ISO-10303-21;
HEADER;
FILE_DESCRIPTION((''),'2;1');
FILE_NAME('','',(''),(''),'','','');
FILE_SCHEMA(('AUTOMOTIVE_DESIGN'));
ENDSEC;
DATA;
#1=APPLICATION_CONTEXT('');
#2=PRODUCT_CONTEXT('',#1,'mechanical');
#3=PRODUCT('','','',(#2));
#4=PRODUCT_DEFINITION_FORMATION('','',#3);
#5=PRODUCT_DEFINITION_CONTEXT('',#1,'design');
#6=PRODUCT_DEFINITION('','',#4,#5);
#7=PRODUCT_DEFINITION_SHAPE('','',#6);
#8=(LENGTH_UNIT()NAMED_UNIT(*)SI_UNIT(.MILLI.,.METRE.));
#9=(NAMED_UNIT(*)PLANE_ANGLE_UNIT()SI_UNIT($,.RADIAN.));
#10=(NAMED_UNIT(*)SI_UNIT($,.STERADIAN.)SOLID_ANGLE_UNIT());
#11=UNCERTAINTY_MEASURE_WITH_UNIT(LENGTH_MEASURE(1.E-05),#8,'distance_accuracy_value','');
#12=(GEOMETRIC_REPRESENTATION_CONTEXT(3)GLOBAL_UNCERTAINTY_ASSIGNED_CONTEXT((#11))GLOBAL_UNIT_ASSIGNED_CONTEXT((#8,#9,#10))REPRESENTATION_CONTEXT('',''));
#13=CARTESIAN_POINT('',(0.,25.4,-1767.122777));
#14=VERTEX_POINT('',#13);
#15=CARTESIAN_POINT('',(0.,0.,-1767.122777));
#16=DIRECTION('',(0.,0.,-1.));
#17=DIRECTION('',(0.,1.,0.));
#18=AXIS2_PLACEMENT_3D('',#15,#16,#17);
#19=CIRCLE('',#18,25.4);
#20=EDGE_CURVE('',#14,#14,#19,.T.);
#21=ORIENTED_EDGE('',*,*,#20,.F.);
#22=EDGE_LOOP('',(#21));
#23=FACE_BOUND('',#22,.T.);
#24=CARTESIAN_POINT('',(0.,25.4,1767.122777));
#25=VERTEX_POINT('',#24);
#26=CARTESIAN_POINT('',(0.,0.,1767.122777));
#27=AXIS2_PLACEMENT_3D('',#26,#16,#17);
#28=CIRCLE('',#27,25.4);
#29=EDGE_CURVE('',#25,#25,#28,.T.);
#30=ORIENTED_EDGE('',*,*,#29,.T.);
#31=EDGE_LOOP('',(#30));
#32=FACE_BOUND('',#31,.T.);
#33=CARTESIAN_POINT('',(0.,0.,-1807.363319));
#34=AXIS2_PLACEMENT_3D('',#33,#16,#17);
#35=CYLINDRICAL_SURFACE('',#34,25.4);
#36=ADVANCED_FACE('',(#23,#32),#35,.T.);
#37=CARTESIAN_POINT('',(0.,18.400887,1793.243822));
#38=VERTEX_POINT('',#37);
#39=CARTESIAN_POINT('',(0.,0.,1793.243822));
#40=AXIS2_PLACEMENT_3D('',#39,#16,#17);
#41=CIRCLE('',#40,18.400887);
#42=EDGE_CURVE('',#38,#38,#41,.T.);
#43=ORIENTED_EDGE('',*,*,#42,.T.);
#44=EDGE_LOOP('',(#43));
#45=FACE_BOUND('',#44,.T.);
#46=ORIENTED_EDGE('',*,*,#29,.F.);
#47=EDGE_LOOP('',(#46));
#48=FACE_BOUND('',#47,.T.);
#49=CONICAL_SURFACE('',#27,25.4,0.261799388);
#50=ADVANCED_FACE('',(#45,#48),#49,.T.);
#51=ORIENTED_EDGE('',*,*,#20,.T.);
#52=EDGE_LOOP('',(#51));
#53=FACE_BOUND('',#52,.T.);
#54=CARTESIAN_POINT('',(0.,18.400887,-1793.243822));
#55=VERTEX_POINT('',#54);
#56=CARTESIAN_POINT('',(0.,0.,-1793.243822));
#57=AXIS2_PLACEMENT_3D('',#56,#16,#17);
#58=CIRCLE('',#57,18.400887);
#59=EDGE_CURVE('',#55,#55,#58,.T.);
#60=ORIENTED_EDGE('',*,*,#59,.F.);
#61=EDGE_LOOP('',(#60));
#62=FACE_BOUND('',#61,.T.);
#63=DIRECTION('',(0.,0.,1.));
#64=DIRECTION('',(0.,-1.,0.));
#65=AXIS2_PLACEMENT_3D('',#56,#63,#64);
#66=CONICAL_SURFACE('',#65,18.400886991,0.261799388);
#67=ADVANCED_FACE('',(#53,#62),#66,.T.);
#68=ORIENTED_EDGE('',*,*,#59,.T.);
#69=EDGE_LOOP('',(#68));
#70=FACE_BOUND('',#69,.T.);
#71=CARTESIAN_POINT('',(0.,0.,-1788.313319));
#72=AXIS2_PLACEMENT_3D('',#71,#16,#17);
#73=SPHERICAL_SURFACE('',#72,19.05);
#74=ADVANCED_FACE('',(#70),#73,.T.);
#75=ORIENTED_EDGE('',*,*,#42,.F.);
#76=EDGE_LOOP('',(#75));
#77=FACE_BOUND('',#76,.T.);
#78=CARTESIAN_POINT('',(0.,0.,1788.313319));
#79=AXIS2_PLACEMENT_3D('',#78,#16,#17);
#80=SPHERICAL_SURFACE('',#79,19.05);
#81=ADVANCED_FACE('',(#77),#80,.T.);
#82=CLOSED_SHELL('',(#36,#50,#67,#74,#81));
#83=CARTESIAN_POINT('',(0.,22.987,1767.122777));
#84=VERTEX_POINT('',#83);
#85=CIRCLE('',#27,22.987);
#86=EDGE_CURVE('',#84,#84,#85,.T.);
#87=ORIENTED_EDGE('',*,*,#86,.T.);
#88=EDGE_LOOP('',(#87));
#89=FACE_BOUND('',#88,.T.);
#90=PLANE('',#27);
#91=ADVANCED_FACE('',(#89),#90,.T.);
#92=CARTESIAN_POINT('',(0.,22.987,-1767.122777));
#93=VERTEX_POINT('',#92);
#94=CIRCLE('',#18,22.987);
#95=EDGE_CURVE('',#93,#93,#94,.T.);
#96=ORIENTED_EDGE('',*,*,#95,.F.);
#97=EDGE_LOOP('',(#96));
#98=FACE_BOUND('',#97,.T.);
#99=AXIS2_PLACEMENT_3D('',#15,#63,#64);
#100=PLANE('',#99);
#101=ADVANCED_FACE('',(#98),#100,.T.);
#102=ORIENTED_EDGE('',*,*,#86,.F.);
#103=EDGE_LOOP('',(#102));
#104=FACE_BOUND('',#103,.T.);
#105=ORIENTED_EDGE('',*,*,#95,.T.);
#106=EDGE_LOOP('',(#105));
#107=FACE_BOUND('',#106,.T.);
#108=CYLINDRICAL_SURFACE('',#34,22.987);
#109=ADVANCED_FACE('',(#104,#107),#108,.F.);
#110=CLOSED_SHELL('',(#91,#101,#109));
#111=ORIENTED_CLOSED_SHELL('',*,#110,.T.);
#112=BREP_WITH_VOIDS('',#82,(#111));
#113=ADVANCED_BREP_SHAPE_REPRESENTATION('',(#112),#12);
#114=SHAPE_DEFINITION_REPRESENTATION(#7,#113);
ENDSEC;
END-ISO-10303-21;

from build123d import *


with BuildPart() as part:
    # Sketch2 → Revolve1 (revolve)
    with BuildSketch(Plane(origin=(0, 0, 0), x_dir=(0, 0, -1), z_dir=(1, 0, 0))):
        with BuildLine():
            Line((1767.122776535, 25.4), (1793.243821893, 18.400886991))
            ThreePointArc((1793.243821893, 18.400886991), (1803.426700216, 11.596905223), (1807.363319084, 0))
            Line((1807.363319084, 0), (1767.122776535, 0))
            Line((1767.122776535, 0), (1767.122776535, 22.987))
            Line((1767.122776535, 22.987), (-1767.122776535, 22.987))
            Line((-1767.122776535, 22.987), (-1767.122776535, 0))
            Line((-1767.122776535, 0), (-1807.363319084, 0))
            ThreePointArc((-1807.363319084, 0), (-1803.426700216, 11.596905223), (-1793.243821893, 18.400886991))
            Line((-1793.243821893, 18.400886991), (-1767.122776535, 25.4))
            Line((-1767.122776535, 25.4), (1767.122776535, 25.4))
        make_face()
    revolve(axis=Axis((0, 0, -1807.363319084), (0, 0, 1)))


solid = part.part
